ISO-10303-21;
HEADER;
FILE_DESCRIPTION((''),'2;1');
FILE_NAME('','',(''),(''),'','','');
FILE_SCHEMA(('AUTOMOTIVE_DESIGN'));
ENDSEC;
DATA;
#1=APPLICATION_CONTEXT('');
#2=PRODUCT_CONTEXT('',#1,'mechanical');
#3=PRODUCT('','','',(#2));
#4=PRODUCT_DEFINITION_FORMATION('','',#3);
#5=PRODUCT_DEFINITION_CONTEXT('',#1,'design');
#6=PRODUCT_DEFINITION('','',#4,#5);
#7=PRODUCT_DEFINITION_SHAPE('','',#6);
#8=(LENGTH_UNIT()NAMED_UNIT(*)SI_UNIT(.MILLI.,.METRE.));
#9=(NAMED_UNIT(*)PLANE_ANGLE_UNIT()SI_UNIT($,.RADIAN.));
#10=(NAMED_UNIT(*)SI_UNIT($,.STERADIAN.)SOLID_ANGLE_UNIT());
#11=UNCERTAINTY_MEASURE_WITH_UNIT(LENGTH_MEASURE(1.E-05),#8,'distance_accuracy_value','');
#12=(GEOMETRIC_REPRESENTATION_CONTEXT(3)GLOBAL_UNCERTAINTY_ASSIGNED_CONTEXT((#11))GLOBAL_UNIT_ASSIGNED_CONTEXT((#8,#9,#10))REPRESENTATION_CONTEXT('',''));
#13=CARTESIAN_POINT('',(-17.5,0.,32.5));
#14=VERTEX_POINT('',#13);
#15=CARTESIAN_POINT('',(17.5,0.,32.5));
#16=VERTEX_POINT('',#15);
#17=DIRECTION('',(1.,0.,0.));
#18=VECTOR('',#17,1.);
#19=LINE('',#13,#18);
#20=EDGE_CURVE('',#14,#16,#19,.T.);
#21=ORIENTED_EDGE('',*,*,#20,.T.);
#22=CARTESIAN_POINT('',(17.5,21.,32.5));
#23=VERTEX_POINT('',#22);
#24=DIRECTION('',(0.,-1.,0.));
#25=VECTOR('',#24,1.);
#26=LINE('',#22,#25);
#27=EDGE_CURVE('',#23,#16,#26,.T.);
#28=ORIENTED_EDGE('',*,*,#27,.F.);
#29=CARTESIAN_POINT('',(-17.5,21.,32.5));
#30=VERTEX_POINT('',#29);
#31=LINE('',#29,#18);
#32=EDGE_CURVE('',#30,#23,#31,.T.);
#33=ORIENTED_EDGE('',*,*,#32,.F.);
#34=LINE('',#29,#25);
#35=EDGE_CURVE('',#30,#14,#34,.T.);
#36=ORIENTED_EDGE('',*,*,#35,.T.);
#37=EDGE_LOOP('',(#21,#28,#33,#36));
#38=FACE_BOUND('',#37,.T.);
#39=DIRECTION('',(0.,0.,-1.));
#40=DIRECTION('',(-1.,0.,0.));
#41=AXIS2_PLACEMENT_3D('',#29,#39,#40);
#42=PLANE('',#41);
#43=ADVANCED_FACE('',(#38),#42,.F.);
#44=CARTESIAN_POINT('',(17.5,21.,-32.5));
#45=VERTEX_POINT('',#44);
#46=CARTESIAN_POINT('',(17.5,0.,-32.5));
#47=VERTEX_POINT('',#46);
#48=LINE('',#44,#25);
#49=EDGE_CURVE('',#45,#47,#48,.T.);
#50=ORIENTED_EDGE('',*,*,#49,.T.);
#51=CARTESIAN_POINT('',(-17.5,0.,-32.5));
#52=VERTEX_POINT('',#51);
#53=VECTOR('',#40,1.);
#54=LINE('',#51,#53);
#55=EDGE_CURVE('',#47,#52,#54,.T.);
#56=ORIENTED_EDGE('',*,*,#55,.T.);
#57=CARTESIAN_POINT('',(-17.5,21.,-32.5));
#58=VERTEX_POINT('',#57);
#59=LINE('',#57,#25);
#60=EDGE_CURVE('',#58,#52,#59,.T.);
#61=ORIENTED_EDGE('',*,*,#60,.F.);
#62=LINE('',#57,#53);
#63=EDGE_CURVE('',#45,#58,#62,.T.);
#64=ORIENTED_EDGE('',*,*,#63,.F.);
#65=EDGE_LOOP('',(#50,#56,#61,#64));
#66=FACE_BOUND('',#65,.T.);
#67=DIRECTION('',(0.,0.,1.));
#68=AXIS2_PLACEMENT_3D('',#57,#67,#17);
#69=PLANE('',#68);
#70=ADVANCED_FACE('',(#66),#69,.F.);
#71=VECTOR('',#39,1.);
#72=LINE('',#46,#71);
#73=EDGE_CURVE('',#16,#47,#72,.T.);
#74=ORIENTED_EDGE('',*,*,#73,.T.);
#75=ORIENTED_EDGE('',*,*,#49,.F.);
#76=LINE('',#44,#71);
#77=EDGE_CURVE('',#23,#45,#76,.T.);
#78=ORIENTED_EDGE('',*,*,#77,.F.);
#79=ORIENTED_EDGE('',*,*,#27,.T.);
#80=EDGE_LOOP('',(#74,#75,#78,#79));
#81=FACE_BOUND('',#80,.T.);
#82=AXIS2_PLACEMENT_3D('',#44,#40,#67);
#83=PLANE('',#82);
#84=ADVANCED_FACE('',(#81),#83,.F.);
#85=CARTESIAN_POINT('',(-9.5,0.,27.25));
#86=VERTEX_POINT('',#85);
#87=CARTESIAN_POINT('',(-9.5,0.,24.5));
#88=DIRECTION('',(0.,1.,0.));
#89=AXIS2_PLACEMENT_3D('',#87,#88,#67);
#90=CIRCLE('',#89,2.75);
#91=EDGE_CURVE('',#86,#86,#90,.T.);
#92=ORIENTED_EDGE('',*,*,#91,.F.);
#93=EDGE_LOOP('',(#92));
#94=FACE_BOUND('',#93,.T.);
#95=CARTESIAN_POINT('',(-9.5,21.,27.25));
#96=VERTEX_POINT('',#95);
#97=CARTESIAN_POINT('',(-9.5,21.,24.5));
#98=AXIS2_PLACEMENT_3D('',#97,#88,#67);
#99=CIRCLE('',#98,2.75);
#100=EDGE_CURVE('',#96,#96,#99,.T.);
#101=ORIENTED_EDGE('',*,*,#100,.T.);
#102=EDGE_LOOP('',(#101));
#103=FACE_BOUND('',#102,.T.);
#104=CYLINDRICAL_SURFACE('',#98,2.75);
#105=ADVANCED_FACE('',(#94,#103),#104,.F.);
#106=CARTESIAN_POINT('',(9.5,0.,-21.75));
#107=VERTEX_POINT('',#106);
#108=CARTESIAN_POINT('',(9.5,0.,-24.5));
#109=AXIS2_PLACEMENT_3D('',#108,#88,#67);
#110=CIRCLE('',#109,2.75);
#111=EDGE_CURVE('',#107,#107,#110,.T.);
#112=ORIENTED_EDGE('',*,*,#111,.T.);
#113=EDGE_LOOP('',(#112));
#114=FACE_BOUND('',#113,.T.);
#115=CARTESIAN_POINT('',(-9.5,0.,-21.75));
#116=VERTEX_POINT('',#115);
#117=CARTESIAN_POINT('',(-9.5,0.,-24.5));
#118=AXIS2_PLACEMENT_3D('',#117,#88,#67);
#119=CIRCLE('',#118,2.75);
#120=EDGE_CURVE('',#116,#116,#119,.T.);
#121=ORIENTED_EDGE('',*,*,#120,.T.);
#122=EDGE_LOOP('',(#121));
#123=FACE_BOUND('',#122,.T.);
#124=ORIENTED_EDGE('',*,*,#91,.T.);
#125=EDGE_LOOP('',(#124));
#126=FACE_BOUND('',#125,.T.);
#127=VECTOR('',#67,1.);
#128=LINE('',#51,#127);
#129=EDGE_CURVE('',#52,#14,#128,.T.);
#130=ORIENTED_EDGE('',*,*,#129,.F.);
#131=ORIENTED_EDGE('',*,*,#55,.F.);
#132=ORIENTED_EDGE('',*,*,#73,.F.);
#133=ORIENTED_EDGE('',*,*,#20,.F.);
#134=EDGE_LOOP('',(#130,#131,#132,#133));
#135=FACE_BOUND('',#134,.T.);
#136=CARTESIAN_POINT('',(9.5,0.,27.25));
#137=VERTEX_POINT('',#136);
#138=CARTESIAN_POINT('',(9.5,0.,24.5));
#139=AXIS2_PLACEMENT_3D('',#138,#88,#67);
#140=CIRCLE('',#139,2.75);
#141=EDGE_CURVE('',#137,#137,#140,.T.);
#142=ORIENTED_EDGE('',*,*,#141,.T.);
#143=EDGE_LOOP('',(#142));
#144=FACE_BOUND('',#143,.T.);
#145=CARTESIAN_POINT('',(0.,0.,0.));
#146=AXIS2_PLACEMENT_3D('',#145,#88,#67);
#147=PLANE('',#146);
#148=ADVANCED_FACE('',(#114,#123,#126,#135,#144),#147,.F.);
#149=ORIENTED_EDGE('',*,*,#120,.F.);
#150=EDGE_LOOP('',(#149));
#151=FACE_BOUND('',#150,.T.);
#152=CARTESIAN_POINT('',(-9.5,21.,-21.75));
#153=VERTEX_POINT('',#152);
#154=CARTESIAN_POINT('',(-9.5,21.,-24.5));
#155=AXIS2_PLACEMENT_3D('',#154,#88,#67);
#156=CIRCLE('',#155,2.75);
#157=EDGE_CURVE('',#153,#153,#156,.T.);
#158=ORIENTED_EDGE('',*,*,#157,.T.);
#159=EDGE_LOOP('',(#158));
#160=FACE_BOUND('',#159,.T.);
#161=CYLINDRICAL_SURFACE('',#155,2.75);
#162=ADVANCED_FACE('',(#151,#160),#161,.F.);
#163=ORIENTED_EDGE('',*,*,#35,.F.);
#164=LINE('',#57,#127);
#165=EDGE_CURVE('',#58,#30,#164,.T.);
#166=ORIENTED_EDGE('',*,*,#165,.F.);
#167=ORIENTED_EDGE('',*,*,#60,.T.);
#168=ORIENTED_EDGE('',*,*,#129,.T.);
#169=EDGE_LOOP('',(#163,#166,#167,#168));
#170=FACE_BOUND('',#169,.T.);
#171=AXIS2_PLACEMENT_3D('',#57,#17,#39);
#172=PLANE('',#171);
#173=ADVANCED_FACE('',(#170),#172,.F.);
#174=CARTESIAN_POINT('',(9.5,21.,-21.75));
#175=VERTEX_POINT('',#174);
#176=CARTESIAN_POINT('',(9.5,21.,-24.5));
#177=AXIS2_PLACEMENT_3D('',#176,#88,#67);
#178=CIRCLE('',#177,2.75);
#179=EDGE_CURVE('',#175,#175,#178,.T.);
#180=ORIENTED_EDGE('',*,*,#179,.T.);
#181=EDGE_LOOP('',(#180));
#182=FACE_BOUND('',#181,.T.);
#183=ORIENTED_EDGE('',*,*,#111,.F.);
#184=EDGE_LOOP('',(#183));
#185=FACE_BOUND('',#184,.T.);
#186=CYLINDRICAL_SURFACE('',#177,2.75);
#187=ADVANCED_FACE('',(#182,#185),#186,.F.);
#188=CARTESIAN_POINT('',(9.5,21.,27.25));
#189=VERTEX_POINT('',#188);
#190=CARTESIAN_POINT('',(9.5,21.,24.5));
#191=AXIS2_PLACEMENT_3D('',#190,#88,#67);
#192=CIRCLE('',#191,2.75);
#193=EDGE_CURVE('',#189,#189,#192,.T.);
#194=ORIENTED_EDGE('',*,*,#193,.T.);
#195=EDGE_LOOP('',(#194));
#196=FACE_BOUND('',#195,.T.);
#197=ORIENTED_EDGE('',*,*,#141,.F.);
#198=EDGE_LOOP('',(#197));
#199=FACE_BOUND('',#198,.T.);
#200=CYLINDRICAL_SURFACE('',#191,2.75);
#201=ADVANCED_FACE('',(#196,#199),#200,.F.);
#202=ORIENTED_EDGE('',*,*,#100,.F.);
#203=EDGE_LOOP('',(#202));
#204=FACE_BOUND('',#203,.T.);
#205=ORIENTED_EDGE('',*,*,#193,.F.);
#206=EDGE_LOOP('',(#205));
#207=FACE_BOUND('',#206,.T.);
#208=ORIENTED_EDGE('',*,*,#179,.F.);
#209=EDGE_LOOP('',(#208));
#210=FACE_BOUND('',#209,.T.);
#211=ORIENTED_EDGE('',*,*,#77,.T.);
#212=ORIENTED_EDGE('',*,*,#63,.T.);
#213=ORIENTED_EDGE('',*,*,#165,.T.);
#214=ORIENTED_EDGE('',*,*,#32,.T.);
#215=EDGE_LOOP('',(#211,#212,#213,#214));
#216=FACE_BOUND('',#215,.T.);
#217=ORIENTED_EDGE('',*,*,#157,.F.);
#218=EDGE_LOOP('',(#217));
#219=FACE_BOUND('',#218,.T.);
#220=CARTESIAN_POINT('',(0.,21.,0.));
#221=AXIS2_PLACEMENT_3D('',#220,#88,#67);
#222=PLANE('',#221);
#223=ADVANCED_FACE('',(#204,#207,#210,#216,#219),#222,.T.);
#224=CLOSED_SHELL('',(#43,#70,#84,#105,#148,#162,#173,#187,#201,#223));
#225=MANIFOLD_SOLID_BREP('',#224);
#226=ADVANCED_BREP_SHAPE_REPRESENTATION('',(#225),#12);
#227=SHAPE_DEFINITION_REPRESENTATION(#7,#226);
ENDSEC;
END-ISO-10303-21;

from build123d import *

# Parameters (mm, degrees)
SKIZZE1_W                       = 35
SKIZZE1_H                       = 65
AUFSATZ_LINEAR_AUSTRAGEN1_DEPTH = 21
DURCHGANGSLOCH_F_R_M51_D        = 5.5


with BuildPart() as part:
    # Skizze1 → Aufsatz-Linear austragen1 (new body)
    with BuildSketch(Plane(origin=(0, 0, 0), x_dir=(1, 0, 0), z_dir=(0, 1, 0))):
        Rectangle(SKIZZE1_W, SKIZZE1_H)
    extrude(amount=AUFSATZ_LINEAR_AUSTRAGEN1_DEPTH)

    # Durchgangsloch für M51 (through all)
    with Locations(Plane(origin=(78.125902763, 21, -61.744554923), x_dir=(1, 0, 0), z_dir=(0, 1, 0))):
        with Locations((-68.625902763, -37.244554923), (-87.625902763, -37.244554923), (-87.625902763, -86.244554923), (-68.625902763, -86.244554923)):
            Hole(DURCHGANGSLOCH_F_R_M51_D / 2)


solid = part.part
